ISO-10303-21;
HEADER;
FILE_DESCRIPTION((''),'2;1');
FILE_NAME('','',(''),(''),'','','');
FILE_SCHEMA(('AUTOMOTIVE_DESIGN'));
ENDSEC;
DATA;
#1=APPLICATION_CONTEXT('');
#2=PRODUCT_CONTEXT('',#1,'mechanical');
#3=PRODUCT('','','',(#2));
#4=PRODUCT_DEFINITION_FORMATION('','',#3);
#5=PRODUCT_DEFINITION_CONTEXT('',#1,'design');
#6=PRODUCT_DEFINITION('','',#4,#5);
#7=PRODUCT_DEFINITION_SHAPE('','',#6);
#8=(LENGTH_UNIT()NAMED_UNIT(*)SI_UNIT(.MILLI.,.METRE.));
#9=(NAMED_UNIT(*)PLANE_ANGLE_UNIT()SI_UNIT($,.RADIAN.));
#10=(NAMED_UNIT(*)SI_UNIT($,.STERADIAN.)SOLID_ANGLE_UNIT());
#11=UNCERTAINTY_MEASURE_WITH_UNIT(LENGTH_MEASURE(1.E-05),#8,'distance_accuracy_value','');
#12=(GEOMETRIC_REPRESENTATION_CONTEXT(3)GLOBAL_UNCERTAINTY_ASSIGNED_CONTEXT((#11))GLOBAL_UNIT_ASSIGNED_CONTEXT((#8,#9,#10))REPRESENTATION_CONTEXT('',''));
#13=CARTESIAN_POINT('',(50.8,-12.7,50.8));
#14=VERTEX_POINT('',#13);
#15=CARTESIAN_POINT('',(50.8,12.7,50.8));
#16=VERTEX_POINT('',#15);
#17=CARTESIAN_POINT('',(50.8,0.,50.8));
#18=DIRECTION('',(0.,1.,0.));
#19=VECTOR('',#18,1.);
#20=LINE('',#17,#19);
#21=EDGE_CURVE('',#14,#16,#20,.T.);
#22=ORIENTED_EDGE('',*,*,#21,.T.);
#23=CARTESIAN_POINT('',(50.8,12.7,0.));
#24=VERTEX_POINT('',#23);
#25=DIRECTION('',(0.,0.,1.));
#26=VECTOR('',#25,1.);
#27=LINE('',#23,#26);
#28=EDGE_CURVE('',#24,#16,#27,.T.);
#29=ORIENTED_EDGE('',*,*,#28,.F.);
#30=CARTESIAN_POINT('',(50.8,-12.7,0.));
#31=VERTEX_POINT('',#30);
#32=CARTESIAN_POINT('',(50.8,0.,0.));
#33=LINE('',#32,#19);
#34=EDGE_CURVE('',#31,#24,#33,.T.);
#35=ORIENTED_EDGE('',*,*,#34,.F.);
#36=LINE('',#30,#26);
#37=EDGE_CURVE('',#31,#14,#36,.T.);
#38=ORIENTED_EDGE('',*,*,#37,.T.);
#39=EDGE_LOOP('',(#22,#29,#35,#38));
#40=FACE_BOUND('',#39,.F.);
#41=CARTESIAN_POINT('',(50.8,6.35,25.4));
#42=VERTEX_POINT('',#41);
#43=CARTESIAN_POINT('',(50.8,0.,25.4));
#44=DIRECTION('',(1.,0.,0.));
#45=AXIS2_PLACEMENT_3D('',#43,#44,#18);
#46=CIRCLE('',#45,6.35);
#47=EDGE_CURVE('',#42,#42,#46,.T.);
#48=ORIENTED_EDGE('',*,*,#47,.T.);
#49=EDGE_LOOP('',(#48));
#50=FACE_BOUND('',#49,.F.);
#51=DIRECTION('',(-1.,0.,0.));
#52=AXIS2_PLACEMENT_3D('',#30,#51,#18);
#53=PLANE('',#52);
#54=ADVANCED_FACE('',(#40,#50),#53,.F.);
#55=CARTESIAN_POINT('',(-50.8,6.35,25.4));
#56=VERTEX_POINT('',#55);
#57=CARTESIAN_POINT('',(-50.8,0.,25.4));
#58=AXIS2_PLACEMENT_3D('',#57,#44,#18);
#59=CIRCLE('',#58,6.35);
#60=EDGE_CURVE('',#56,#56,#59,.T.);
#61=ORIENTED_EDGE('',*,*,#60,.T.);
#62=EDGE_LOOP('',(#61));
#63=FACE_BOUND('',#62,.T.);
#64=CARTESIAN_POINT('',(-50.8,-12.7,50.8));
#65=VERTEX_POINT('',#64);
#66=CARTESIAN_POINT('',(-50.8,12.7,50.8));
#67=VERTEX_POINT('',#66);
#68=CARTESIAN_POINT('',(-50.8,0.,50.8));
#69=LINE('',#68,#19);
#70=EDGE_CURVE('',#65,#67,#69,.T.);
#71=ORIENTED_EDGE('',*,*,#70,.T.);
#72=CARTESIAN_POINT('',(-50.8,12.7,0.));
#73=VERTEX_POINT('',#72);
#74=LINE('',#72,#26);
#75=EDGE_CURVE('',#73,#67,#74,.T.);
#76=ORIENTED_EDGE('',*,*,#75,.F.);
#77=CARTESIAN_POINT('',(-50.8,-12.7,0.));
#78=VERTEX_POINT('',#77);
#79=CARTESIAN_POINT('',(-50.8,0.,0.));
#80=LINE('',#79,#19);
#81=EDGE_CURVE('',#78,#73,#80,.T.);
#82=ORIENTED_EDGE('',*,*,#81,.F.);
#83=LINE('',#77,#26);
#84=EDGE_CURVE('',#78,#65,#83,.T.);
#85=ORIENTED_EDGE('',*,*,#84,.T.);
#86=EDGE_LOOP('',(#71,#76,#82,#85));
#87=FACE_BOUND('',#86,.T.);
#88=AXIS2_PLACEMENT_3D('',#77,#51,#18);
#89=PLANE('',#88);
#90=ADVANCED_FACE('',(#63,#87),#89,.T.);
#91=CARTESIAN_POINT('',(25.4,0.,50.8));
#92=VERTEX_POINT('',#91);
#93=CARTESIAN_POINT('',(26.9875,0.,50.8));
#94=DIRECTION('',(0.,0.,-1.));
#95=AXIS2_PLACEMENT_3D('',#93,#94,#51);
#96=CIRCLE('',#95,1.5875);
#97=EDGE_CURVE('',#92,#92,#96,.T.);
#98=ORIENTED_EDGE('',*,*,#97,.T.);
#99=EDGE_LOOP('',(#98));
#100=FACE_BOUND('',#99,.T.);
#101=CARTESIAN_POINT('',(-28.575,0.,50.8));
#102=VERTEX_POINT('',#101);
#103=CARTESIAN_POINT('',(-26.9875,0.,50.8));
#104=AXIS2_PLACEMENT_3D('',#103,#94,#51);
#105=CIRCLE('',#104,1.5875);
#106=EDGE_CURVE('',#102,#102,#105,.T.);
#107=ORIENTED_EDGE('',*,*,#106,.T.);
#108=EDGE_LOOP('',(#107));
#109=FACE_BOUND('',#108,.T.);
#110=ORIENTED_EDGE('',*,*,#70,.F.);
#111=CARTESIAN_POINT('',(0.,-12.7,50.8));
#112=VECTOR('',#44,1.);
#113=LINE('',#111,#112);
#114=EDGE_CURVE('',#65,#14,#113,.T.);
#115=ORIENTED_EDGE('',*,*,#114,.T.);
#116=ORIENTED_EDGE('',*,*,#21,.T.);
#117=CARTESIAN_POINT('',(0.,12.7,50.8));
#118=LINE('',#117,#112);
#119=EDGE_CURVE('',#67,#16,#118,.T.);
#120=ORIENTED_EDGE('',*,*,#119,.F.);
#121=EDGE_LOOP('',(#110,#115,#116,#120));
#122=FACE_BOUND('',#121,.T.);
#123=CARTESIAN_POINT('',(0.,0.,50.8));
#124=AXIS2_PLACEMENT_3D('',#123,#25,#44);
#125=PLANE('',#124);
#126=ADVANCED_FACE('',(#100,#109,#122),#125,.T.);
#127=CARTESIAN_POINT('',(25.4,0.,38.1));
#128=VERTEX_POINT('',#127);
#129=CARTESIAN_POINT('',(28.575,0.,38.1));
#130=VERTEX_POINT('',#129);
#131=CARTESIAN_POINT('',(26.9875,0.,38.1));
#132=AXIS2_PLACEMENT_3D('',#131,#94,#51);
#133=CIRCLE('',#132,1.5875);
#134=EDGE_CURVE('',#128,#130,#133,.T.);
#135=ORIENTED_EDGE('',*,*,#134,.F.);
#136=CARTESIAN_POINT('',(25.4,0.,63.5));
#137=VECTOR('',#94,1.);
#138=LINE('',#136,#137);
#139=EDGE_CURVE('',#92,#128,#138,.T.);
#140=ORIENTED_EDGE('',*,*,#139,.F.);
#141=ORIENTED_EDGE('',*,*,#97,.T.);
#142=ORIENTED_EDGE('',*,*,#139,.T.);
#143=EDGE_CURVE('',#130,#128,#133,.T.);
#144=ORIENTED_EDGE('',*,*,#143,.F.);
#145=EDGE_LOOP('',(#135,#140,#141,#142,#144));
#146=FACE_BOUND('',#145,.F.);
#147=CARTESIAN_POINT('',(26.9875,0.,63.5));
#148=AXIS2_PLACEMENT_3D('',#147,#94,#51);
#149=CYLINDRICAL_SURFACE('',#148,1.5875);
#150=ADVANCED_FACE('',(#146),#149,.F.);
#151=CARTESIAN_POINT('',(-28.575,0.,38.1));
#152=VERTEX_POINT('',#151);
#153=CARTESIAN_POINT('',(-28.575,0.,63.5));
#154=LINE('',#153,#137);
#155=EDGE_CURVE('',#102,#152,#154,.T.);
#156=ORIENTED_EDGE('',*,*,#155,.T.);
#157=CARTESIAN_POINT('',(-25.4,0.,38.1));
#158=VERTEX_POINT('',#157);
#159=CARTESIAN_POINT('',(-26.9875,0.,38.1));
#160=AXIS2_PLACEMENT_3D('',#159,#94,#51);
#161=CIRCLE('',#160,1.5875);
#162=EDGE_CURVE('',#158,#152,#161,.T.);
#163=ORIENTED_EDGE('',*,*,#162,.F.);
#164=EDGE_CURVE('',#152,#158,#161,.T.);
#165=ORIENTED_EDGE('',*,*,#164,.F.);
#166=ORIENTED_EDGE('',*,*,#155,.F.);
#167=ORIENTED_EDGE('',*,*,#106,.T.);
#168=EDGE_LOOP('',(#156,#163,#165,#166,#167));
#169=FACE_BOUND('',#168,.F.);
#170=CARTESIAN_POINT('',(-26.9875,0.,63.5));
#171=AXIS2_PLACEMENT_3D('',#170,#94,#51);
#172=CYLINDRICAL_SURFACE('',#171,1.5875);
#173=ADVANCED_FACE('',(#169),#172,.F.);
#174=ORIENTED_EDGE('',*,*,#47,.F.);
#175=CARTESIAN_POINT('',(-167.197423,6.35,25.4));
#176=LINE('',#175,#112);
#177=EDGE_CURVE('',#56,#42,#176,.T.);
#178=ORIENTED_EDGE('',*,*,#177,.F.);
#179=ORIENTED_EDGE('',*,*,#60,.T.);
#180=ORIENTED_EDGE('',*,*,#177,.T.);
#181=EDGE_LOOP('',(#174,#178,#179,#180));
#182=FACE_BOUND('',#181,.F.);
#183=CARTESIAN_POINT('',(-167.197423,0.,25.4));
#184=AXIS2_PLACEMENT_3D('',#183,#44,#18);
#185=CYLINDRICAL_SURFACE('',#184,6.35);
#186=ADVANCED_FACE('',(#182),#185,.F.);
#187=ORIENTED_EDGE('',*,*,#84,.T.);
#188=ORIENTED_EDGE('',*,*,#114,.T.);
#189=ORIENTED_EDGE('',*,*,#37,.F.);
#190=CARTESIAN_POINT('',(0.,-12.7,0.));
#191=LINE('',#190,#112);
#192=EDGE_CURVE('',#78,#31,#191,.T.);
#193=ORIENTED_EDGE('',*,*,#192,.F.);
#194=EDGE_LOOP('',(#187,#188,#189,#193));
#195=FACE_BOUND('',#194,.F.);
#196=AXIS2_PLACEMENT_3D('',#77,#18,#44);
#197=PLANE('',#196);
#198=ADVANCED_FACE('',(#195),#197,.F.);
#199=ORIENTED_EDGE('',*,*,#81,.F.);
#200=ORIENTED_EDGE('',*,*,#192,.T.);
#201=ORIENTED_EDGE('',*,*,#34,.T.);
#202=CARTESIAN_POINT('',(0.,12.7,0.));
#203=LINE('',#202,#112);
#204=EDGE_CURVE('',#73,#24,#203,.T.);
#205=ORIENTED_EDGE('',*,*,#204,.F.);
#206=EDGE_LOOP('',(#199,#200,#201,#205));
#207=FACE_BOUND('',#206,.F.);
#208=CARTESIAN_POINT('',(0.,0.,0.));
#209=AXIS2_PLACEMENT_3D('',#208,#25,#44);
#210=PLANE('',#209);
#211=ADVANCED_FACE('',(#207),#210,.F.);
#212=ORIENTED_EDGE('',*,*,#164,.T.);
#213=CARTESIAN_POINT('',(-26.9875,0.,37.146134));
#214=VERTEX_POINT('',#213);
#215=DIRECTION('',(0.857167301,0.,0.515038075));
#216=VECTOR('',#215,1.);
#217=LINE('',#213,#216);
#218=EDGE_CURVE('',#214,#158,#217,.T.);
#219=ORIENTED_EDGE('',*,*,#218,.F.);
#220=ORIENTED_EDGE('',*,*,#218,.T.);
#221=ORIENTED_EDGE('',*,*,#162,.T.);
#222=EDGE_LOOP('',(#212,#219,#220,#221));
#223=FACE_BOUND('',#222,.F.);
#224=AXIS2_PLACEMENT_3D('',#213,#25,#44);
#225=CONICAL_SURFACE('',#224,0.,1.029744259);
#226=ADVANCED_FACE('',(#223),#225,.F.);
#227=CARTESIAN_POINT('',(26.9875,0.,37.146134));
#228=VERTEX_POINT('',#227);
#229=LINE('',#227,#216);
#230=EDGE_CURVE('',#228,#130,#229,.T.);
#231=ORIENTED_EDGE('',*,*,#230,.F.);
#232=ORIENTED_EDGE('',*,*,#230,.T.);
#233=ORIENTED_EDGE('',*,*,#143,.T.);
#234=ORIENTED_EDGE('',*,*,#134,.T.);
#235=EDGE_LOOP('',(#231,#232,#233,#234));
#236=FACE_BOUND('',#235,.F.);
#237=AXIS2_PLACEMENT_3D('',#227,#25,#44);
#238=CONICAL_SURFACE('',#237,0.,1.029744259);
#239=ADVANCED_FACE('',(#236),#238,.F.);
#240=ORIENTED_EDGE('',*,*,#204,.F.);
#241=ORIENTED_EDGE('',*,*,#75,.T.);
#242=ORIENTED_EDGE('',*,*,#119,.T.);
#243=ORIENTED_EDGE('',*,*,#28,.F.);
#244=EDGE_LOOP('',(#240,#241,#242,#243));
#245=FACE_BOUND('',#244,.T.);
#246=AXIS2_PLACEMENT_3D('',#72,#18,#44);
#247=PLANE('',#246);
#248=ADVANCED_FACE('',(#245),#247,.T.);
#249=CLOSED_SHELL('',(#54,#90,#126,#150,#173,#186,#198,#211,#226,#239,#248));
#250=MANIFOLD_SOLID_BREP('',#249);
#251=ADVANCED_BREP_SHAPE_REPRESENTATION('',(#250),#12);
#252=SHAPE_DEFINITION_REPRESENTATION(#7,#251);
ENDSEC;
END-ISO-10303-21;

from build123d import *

# Parameters (mm, degrees)
F0_W     = 101.6
F0_H     = 25.4
F1_DEPTH = 50.8
F3_D     = 3.175
F3_DEPTH = 12.7
F3_TIP   = 0.9538662327
F5_D     = 12.7


with BuildPart() as f1:
    # F0 (on Top) → F1 (new body)
    with BuildSketch(Plane.XY):
        Rectangle(F0_W, F0_H)
    extrude(amount=F1_DEPTH)

    # F3
    with Locations(Plane.XY.offset(50.8)):
        with Locations((-26.9875, 0), (26.9875, 0)):
            Hole(F3_D / 2, depth=F3_DEPTH)
            with Locations((0, 0, -(F3_DEPTH + F3_TIP / 2))):  # 118° drill point
                Cone(0, F3_D / 2, F3_TIP, mode=Mode.SUBTRACT)

    # F5 (through all)
    with Locations(Plane(origin=(-50.8, 0, 0), x_dir=(0, -1, 0), z_dir=(-1, 0, 0))):
        with Locations((0, 25.4)):
            Hole(F5_D / 2)


solid = f1.part
